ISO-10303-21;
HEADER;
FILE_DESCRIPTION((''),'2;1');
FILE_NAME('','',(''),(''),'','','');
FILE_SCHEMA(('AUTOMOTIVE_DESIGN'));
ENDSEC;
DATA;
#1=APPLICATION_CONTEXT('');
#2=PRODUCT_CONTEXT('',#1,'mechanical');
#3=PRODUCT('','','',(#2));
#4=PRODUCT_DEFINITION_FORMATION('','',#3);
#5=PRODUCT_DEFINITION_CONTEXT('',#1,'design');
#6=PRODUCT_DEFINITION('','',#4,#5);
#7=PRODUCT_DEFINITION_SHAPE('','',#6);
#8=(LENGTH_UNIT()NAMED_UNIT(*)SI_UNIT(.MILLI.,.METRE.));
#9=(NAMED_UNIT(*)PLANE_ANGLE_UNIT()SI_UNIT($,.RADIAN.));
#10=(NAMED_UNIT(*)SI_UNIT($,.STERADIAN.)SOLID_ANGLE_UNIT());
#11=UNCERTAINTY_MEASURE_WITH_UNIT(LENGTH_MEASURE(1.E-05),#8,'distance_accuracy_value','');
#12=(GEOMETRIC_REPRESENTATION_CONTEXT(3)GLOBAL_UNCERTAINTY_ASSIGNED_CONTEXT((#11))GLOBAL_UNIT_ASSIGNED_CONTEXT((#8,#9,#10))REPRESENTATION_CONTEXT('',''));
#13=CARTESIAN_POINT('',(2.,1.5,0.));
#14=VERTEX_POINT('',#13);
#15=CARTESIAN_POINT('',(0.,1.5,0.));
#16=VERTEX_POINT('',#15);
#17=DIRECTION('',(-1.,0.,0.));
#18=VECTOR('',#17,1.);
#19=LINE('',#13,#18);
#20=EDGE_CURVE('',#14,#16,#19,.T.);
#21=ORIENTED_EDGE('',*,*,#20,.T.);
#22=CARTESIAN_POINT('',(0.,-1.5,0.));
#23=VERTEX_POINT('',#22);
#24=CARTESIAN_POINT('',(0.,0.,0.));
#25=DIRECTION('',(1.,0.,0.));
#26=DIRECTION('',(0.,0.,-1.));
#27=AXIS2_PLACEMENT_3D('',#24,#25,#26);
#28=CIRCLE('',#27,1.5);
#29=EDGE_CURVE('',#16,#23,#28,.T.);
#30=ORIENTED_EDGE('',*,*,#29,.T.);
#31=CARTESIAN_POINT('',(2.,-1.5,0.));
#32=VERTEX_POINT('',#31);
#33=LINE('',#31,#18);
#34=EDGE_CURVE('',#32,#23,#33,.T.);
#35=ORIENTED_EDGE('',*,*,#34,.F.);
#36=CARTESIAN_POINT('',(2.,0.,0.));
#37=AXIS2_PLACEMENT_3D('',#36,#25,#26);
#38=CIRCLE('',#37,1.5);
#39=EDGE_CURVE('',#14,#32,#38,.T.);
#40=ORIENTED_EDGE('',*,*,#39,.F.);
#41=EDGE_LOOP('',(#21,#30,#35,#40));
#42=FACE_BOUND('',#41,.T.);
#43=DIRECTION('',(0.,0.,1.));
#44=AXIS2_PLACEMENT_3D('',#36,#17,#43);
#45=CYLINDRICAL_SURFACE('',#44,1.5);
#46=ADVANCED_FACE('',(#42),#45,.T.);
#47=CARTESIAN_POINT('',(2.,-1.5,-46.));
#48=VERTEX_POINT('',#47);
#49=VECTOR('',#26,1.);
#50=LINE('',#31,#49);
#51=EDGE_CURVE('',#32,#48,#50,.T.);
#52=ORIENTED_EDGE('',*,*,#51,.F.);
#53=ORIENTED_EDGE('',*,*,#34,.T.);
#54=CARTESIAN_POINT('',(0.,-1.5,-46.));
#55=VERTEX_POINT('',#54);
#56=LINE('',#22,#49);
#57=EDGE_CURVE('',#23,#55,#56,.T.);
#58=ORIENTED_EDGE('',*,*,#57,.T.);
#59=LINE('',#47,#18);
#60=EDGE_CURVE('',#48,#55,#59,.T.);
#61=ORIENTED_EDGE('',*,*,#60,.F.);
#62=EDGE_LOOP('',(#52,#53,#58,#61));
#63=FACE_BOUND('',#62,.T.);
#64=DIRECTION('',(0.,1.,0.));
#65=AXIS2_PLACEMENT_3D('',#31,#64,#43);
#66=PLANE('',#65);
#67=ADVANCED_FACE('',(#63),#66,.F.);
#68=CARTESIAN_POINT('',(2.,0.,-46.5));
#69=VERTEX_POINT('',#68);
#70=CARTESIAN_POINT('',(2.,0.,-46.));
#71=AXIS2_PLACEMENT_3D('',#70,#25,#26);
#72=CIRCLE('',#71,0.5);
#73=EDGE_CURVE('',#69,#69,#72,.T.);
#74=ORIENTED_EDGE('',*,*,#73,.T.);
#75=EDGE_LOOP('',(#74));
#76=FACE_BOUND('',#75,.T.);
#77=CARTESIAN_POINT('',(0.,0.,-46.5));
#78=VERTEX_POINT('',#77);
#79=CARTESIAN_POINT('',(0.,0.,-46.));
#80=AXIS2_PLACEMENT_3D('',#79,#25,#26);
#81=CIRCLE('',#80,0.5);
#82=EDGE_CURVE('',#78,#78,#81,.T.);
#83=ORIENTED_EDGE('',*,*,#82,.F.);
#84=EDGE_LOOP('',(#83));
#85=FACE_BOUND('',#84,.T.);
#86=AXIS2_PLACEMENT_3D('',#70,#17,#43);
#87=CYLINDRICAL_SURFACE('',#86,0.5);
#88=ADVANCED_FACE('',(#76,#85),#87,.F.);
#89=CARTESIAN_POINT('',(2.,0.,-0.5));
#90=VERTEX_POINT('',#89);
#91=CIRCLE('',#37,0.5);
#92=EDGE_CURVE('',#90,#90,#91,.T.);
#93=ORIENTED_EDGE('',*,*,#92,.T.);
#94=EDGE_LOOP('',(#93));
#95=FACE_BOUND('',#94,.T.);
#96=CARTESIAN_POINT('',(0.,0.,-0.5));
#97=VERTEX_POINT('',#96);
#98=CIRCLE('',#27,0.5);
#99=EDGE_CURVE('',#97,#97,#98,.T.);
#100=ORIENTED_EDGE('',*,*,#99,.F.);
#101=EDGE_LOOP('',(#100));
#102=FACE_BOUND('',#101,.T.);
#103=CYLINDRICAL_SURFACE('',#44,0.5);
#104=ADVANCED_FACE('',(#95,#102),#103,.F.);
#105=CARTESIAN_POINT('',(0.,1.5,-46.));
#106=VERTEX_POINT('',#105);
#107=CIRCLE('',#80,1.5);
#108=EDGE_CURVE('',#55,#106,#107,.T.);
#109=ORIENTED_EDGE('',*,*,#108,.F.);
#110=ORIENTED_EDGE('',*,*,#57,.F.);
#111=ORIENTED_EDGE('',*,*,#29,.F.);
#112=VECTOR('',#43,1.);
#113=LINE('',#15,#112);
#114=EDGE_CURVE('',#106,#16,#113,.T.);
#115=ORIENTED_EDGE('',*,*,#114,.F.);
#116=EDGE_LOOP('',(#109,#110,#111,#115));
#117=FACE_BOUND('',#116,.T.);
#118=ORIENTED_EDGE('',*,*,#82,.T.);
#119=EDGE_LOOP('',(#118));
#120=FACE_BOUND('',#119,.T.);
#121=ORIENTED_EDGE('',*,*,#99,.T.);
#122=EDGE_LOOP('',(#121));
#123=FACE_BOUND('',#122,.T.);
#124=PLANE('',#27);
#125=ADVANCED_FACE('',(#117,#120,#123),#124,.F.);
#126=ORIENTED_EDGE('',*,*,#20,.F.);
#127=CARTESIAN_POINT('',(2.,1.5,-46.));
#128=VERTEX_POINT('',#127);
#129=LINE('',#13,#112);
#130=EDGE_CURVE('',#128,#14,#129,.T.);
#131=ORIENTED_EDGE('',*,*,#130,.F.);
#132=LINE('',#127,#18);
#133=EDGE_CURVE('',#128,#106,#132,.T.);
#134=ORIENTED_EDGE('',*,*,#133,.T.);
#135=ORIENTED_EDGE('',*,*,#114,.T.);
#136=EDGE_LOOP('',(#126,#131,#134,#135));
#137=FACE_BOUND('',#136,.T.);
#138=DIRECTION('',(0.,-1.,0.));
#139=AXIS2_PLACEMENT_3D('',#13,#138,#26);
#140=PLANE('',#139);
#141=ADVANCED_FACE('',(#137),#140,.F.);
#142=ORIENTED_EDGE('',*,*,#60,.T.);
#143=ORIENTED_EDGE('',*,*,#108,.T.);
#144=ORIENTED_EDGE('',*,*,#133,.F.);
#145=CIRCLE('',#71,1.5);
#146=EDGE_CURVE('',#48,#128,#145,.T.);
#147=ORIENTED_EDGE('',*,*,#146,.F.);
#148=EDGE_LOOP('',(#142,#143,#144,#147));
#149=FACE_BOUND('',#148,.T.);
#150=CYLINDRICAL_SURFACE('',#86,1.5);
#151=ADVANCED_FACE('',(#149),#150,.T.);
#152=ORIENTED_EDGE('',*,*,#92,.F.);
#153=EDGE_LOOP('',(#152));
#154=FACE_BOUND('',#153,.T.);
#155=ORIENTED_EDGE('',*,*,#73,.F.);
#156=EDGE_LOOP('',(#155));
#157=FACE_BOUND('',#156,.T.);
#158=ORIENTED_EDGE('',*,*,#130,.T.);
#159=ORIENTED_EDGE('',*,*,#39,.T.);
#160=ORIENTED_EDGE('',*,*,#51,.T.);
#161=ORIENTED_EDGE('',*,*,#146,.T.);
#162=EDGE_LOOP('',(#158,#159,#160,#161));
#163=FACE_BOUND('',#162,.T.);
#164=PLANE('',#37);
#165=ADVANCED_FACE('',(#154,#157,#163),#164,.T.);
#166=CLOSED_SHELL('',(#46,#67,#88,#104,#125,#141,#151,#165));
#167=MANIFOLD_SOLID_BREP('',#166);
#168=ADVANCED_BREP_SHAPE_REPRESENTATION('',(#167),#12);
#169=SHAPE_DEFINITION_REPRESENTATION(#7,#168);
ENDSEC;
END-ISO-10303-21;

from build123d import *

# Parameters (mm, degrees)
SKETCH_1_R      = 0.5
EXTRUDE_1_DEPTH = 2


with BuildPart() as part:
    # 草图1 → 凸台-拉伸1 (new body)
    with BuildSketch(Plane(origin=(0, 0, 0), x_dir=(0, 0, -1), z_dir=(1, 0, 0))):
        with BuildLine():
            Line((0, 1.5), (46, 1.5))
            ThreePointArc((46, 1.5), (47.5, 0), (46, -1.5))
            Line((46, -1.5), (0, -1.5))
            ThreePointArc((0, -1.5), (-1.5, 0), (0, 1.5))
        make_face()
        Circle(SKETCH_1_R, mode=Mode.SUBTRACT)
        with Locations((46, 0)):
            Circle(SKETCH_1_R, mode=Mode.SUBTRACT)
    extrude(amount=EXTRUDE_1_DEPTH)


solid = part.part
